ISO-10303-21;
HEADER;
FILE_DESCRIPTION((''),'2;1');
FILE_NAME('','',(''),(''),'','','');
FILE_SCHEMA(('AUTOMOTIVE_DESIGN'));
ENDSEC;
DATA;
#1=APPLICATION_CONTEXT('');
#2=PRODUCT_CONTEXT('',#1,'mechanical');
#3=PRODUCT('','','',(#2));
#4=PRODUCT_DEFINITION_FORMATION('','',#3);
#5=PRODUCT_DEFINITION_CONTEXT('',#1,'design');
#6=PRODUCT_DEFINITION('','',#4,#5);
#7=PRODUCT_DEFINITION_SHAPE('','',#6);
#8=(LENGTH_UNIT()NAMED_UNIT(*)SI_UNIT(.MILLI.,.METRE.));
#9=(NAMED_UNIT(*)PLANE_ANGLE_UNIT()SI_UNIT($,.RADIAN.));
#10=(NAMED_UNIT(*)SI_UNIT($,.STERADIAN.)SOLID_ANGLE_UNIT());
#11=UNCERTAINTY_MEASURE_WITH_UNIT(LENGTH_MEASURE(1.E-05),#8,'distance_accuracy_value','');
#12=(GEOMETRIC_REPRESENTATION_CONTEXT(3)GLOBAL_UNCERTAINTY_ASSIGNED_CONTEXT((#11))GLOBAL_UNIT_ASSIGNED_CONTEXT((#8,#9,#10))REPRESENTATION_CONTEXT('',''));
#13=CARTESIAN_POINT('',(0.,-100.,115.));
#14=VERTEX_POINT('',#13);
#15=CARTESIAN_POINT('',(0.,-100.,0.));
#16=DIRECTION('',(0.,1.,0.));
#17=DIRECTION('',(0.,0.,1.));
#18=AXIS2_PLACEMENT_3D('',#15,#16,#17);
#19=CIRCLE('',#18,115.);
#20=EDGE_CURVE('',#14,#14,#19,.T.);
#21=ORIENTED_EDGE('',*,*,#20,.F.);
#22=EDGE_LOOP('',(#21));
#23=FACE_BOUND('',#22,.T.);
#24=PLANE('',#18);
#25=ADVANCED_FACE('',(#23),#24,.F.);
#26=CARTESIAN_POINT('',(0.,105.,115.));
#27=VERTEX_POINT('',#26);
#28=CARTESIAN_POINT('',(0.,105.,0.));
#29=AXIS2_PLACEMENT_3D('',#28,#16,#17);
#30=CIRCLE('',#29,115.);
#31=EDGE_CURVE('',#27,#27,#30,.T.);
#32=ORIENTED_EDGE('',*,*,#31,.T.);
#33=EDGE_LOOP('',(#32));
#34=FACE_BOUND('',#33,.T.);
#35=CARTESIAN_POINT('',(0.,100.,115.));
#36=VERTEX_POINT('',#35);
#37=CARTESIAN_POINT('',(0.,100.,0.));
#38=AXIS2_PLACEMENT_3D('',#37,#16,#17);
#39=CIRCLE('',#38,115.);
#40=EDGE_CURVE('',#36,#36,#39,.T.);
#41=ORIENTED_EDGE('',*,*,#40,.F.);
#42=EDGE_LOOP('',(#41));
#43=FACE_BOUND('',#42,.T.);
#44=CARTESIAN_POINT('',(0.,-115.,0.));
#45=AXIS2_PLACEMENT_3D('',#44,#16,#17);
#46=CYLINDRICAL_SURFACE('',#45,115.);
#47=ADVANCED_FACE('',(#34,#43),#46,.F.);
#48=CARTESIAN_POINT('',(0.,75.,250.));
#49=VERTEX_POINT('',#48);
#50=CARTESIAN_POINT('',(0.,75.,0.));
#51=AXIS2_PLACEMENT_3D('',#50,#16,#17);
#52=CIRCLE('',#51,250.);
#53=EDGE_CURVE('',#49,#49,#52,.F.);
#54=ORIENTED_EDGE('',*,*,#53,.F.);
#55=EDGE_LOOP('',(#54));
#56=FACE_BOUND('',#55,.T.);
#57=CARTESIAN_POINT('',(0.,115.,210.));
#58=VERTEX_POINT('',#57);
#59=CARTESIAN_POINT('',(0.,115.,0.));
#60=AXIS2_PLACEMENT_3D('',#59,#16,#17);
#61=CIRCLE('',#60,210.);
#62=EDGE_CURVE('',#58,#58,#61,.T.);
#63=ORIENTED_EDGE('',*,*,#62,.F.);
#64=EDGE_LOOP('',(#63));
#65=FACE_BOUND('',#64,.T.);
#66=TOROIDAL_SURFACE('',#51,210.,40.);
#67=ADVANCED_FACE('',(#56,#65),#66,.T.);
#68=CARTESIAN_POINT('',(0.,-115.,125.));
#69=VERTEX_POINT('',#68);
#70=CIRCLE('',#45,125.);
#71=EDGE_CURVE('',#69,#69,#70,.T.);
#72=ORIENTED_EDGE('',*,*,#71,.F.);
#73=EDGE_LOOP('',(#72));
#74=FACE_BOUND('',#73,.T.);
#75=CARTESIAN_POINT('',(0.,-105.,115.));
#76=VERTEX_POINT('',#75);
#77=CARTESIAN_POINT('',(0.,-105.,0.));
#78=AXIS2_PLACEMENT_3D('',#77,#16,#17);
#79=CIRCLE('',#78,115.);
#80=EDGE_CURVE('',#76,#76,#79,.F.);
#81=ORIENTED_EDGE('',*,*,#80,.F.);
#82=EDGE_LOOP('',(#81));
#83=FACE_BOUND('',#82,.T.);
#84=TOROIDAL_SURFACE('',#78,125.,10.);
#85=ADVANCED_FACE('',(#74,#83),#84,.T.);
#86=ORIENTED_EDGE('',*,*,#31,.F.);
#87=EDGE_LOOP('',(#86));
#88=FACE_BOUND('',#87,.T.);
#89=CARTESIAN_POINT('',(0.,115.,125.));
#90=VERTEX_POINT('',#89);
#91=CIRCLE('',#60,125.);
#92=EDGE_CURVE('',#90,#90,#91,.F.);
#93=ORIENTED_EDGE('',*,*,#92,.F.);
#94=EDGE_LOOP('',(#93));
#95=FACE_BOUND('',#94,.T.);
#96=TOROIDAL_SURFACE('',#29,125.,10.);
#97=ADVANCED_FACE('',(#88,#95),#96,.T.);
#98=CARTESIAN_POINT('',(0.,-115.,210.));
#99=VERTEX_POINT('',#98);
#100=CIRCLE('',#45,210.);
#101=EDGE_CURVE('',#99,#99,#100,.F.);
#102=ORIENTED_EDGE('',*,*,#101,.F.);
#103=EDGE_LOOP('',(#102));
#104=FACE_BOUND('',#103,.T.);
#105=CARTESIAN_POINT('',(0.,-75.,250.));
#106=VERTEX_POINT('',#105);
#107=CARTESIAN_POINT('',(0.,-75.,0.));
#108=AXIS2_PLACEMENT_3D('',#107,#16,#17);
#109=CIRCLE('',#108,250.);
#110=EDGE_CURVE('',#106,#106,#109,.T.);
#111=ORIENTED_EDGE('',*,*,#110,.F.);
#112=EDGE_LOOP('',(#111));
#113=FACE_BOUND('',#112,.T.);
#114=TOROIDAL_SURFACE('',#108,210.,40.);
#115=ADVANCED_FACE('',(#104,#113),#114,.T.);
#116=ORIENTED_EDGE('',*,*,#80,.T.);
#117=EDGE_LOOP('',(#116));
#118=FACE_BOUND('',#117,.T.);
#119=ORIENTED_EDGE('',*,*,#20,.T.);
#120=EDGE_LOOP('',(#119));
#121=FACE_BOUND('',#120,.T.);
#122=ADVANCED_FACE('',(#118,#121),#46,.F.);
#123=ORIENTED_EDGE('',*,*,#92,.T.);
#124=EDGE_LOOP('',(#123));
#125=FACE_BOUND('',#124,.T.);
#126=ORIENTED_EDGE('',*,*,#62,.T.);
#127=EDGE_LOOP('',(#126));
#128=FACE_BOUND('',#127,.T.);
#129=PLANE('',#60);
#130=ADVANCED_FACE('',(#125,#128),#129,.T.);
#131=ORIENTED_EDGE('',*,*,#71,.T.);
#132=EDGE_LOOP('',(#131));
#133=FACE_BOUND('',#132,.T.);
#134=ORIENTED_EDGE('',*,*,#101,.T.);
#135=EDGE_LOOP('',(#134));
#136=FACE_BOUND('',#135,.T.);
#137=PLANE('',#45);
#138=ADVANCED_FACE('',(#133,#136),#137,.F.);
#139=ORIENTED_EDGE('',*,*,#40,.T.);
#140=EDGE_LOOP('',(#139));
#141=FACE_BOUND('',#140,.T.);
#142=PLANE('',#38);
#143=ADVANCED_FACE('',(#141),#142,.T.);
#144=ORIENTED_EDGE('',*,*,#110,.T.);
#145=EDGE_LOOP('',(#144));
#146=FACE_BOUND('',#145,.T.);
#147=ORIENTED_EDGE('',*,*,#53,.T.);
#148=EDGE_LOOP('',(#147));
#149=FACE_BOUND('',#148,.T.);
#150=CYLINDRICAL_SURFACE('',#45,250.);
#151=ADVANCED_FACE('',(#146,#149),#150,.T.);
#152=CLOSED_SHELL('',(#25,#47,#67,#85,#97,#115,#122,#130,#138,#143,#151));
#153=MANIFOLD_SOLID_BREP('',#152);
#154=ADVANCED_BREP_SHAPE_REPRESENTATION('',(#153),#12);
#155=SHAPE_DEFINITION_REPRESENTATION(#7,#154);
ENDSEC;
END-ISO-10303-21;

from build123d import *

# Parameters (mm, degrees)
SALIENTE_EXTRUIR1_DEPTH      = 100
SALIENTE_EXTRUIR1_DEPTH_BACK = 100
CROQUIS1_R                   = 120
SALIENTE_EXTRUIR4_DEPTH      = 115
SALIENTE_EXTRUIR4_DEPTH_BACK = 115
CROQUIS3_R                   = 250
CROQUIS3_R_2                 = 115
REDONDEO1_R                  = 40
REDONDEO2_R                  = 10
REDONDEO3_R                  = 10


with BuildPart() as part:
    # Croquis1 → Saliente-Extruir1 (new, two sides: drawn at the far end of the back side and taken through both)
    with BuildSketch(Plane(origin=(0, 0, 0), x_dir=(1, 0, 0), z_dir=(0, 1, 0)).offset(-SALIENTE_EXTRUIR1_DEPTH_BACK)):
        Circle(CROQUIS1_R)
    extrude(amount=SALIENTE_EXTRUIR1_DEPTH + SALIENTE_EXTRUIR1_DEPTH_BACK)

    # Croquis3 → Saliente-Extruir4 (add, two sides: drawn at the far end of the back side and taken through both)
    with BuildSketch(Plane(origin=(0, 0, 0), x_dir=(1, 0, 0), z_dir=(0, 1, 0)).offset(-SALIENTE_EXTRUIR4_DEPTH_BACK)):
        Circle(CROQUIS3_R)
        Circle(CROQUIS3_R_2, mode=Mode.SUBTRACT)
    extrude(amount=SALIENTE_EXTRUIR4_DEPTH + SALIENTE_EXTRUIR4_DEPTH_BACK)

    # Redondeo1
    redondeo1_edges = [part.edges().sort_by_distance(p)[0] for p in [
        (-250, 115, 0),
        (-250, -115, 0),
    ]]
    fillet(redondeo1_edges, radius=REDONDEO1_R)

    # Redondeo2
    redondeo2_edges = [part.edges().sort_by_distance(p)[0] for p in [
        (-115, -115, 0),
    ]]
    fillet(redondeo2_edges, radius=REDONDEO2_R)

    # Redondeo3
    redondeo3_edges = [part.edges().sort_by_distance(p)[0] for p in [
        (-115, 115, 0),
    ]]
    fillet(redondeo3_edges, radius=REDONDEO3_R)


solid = part.part
